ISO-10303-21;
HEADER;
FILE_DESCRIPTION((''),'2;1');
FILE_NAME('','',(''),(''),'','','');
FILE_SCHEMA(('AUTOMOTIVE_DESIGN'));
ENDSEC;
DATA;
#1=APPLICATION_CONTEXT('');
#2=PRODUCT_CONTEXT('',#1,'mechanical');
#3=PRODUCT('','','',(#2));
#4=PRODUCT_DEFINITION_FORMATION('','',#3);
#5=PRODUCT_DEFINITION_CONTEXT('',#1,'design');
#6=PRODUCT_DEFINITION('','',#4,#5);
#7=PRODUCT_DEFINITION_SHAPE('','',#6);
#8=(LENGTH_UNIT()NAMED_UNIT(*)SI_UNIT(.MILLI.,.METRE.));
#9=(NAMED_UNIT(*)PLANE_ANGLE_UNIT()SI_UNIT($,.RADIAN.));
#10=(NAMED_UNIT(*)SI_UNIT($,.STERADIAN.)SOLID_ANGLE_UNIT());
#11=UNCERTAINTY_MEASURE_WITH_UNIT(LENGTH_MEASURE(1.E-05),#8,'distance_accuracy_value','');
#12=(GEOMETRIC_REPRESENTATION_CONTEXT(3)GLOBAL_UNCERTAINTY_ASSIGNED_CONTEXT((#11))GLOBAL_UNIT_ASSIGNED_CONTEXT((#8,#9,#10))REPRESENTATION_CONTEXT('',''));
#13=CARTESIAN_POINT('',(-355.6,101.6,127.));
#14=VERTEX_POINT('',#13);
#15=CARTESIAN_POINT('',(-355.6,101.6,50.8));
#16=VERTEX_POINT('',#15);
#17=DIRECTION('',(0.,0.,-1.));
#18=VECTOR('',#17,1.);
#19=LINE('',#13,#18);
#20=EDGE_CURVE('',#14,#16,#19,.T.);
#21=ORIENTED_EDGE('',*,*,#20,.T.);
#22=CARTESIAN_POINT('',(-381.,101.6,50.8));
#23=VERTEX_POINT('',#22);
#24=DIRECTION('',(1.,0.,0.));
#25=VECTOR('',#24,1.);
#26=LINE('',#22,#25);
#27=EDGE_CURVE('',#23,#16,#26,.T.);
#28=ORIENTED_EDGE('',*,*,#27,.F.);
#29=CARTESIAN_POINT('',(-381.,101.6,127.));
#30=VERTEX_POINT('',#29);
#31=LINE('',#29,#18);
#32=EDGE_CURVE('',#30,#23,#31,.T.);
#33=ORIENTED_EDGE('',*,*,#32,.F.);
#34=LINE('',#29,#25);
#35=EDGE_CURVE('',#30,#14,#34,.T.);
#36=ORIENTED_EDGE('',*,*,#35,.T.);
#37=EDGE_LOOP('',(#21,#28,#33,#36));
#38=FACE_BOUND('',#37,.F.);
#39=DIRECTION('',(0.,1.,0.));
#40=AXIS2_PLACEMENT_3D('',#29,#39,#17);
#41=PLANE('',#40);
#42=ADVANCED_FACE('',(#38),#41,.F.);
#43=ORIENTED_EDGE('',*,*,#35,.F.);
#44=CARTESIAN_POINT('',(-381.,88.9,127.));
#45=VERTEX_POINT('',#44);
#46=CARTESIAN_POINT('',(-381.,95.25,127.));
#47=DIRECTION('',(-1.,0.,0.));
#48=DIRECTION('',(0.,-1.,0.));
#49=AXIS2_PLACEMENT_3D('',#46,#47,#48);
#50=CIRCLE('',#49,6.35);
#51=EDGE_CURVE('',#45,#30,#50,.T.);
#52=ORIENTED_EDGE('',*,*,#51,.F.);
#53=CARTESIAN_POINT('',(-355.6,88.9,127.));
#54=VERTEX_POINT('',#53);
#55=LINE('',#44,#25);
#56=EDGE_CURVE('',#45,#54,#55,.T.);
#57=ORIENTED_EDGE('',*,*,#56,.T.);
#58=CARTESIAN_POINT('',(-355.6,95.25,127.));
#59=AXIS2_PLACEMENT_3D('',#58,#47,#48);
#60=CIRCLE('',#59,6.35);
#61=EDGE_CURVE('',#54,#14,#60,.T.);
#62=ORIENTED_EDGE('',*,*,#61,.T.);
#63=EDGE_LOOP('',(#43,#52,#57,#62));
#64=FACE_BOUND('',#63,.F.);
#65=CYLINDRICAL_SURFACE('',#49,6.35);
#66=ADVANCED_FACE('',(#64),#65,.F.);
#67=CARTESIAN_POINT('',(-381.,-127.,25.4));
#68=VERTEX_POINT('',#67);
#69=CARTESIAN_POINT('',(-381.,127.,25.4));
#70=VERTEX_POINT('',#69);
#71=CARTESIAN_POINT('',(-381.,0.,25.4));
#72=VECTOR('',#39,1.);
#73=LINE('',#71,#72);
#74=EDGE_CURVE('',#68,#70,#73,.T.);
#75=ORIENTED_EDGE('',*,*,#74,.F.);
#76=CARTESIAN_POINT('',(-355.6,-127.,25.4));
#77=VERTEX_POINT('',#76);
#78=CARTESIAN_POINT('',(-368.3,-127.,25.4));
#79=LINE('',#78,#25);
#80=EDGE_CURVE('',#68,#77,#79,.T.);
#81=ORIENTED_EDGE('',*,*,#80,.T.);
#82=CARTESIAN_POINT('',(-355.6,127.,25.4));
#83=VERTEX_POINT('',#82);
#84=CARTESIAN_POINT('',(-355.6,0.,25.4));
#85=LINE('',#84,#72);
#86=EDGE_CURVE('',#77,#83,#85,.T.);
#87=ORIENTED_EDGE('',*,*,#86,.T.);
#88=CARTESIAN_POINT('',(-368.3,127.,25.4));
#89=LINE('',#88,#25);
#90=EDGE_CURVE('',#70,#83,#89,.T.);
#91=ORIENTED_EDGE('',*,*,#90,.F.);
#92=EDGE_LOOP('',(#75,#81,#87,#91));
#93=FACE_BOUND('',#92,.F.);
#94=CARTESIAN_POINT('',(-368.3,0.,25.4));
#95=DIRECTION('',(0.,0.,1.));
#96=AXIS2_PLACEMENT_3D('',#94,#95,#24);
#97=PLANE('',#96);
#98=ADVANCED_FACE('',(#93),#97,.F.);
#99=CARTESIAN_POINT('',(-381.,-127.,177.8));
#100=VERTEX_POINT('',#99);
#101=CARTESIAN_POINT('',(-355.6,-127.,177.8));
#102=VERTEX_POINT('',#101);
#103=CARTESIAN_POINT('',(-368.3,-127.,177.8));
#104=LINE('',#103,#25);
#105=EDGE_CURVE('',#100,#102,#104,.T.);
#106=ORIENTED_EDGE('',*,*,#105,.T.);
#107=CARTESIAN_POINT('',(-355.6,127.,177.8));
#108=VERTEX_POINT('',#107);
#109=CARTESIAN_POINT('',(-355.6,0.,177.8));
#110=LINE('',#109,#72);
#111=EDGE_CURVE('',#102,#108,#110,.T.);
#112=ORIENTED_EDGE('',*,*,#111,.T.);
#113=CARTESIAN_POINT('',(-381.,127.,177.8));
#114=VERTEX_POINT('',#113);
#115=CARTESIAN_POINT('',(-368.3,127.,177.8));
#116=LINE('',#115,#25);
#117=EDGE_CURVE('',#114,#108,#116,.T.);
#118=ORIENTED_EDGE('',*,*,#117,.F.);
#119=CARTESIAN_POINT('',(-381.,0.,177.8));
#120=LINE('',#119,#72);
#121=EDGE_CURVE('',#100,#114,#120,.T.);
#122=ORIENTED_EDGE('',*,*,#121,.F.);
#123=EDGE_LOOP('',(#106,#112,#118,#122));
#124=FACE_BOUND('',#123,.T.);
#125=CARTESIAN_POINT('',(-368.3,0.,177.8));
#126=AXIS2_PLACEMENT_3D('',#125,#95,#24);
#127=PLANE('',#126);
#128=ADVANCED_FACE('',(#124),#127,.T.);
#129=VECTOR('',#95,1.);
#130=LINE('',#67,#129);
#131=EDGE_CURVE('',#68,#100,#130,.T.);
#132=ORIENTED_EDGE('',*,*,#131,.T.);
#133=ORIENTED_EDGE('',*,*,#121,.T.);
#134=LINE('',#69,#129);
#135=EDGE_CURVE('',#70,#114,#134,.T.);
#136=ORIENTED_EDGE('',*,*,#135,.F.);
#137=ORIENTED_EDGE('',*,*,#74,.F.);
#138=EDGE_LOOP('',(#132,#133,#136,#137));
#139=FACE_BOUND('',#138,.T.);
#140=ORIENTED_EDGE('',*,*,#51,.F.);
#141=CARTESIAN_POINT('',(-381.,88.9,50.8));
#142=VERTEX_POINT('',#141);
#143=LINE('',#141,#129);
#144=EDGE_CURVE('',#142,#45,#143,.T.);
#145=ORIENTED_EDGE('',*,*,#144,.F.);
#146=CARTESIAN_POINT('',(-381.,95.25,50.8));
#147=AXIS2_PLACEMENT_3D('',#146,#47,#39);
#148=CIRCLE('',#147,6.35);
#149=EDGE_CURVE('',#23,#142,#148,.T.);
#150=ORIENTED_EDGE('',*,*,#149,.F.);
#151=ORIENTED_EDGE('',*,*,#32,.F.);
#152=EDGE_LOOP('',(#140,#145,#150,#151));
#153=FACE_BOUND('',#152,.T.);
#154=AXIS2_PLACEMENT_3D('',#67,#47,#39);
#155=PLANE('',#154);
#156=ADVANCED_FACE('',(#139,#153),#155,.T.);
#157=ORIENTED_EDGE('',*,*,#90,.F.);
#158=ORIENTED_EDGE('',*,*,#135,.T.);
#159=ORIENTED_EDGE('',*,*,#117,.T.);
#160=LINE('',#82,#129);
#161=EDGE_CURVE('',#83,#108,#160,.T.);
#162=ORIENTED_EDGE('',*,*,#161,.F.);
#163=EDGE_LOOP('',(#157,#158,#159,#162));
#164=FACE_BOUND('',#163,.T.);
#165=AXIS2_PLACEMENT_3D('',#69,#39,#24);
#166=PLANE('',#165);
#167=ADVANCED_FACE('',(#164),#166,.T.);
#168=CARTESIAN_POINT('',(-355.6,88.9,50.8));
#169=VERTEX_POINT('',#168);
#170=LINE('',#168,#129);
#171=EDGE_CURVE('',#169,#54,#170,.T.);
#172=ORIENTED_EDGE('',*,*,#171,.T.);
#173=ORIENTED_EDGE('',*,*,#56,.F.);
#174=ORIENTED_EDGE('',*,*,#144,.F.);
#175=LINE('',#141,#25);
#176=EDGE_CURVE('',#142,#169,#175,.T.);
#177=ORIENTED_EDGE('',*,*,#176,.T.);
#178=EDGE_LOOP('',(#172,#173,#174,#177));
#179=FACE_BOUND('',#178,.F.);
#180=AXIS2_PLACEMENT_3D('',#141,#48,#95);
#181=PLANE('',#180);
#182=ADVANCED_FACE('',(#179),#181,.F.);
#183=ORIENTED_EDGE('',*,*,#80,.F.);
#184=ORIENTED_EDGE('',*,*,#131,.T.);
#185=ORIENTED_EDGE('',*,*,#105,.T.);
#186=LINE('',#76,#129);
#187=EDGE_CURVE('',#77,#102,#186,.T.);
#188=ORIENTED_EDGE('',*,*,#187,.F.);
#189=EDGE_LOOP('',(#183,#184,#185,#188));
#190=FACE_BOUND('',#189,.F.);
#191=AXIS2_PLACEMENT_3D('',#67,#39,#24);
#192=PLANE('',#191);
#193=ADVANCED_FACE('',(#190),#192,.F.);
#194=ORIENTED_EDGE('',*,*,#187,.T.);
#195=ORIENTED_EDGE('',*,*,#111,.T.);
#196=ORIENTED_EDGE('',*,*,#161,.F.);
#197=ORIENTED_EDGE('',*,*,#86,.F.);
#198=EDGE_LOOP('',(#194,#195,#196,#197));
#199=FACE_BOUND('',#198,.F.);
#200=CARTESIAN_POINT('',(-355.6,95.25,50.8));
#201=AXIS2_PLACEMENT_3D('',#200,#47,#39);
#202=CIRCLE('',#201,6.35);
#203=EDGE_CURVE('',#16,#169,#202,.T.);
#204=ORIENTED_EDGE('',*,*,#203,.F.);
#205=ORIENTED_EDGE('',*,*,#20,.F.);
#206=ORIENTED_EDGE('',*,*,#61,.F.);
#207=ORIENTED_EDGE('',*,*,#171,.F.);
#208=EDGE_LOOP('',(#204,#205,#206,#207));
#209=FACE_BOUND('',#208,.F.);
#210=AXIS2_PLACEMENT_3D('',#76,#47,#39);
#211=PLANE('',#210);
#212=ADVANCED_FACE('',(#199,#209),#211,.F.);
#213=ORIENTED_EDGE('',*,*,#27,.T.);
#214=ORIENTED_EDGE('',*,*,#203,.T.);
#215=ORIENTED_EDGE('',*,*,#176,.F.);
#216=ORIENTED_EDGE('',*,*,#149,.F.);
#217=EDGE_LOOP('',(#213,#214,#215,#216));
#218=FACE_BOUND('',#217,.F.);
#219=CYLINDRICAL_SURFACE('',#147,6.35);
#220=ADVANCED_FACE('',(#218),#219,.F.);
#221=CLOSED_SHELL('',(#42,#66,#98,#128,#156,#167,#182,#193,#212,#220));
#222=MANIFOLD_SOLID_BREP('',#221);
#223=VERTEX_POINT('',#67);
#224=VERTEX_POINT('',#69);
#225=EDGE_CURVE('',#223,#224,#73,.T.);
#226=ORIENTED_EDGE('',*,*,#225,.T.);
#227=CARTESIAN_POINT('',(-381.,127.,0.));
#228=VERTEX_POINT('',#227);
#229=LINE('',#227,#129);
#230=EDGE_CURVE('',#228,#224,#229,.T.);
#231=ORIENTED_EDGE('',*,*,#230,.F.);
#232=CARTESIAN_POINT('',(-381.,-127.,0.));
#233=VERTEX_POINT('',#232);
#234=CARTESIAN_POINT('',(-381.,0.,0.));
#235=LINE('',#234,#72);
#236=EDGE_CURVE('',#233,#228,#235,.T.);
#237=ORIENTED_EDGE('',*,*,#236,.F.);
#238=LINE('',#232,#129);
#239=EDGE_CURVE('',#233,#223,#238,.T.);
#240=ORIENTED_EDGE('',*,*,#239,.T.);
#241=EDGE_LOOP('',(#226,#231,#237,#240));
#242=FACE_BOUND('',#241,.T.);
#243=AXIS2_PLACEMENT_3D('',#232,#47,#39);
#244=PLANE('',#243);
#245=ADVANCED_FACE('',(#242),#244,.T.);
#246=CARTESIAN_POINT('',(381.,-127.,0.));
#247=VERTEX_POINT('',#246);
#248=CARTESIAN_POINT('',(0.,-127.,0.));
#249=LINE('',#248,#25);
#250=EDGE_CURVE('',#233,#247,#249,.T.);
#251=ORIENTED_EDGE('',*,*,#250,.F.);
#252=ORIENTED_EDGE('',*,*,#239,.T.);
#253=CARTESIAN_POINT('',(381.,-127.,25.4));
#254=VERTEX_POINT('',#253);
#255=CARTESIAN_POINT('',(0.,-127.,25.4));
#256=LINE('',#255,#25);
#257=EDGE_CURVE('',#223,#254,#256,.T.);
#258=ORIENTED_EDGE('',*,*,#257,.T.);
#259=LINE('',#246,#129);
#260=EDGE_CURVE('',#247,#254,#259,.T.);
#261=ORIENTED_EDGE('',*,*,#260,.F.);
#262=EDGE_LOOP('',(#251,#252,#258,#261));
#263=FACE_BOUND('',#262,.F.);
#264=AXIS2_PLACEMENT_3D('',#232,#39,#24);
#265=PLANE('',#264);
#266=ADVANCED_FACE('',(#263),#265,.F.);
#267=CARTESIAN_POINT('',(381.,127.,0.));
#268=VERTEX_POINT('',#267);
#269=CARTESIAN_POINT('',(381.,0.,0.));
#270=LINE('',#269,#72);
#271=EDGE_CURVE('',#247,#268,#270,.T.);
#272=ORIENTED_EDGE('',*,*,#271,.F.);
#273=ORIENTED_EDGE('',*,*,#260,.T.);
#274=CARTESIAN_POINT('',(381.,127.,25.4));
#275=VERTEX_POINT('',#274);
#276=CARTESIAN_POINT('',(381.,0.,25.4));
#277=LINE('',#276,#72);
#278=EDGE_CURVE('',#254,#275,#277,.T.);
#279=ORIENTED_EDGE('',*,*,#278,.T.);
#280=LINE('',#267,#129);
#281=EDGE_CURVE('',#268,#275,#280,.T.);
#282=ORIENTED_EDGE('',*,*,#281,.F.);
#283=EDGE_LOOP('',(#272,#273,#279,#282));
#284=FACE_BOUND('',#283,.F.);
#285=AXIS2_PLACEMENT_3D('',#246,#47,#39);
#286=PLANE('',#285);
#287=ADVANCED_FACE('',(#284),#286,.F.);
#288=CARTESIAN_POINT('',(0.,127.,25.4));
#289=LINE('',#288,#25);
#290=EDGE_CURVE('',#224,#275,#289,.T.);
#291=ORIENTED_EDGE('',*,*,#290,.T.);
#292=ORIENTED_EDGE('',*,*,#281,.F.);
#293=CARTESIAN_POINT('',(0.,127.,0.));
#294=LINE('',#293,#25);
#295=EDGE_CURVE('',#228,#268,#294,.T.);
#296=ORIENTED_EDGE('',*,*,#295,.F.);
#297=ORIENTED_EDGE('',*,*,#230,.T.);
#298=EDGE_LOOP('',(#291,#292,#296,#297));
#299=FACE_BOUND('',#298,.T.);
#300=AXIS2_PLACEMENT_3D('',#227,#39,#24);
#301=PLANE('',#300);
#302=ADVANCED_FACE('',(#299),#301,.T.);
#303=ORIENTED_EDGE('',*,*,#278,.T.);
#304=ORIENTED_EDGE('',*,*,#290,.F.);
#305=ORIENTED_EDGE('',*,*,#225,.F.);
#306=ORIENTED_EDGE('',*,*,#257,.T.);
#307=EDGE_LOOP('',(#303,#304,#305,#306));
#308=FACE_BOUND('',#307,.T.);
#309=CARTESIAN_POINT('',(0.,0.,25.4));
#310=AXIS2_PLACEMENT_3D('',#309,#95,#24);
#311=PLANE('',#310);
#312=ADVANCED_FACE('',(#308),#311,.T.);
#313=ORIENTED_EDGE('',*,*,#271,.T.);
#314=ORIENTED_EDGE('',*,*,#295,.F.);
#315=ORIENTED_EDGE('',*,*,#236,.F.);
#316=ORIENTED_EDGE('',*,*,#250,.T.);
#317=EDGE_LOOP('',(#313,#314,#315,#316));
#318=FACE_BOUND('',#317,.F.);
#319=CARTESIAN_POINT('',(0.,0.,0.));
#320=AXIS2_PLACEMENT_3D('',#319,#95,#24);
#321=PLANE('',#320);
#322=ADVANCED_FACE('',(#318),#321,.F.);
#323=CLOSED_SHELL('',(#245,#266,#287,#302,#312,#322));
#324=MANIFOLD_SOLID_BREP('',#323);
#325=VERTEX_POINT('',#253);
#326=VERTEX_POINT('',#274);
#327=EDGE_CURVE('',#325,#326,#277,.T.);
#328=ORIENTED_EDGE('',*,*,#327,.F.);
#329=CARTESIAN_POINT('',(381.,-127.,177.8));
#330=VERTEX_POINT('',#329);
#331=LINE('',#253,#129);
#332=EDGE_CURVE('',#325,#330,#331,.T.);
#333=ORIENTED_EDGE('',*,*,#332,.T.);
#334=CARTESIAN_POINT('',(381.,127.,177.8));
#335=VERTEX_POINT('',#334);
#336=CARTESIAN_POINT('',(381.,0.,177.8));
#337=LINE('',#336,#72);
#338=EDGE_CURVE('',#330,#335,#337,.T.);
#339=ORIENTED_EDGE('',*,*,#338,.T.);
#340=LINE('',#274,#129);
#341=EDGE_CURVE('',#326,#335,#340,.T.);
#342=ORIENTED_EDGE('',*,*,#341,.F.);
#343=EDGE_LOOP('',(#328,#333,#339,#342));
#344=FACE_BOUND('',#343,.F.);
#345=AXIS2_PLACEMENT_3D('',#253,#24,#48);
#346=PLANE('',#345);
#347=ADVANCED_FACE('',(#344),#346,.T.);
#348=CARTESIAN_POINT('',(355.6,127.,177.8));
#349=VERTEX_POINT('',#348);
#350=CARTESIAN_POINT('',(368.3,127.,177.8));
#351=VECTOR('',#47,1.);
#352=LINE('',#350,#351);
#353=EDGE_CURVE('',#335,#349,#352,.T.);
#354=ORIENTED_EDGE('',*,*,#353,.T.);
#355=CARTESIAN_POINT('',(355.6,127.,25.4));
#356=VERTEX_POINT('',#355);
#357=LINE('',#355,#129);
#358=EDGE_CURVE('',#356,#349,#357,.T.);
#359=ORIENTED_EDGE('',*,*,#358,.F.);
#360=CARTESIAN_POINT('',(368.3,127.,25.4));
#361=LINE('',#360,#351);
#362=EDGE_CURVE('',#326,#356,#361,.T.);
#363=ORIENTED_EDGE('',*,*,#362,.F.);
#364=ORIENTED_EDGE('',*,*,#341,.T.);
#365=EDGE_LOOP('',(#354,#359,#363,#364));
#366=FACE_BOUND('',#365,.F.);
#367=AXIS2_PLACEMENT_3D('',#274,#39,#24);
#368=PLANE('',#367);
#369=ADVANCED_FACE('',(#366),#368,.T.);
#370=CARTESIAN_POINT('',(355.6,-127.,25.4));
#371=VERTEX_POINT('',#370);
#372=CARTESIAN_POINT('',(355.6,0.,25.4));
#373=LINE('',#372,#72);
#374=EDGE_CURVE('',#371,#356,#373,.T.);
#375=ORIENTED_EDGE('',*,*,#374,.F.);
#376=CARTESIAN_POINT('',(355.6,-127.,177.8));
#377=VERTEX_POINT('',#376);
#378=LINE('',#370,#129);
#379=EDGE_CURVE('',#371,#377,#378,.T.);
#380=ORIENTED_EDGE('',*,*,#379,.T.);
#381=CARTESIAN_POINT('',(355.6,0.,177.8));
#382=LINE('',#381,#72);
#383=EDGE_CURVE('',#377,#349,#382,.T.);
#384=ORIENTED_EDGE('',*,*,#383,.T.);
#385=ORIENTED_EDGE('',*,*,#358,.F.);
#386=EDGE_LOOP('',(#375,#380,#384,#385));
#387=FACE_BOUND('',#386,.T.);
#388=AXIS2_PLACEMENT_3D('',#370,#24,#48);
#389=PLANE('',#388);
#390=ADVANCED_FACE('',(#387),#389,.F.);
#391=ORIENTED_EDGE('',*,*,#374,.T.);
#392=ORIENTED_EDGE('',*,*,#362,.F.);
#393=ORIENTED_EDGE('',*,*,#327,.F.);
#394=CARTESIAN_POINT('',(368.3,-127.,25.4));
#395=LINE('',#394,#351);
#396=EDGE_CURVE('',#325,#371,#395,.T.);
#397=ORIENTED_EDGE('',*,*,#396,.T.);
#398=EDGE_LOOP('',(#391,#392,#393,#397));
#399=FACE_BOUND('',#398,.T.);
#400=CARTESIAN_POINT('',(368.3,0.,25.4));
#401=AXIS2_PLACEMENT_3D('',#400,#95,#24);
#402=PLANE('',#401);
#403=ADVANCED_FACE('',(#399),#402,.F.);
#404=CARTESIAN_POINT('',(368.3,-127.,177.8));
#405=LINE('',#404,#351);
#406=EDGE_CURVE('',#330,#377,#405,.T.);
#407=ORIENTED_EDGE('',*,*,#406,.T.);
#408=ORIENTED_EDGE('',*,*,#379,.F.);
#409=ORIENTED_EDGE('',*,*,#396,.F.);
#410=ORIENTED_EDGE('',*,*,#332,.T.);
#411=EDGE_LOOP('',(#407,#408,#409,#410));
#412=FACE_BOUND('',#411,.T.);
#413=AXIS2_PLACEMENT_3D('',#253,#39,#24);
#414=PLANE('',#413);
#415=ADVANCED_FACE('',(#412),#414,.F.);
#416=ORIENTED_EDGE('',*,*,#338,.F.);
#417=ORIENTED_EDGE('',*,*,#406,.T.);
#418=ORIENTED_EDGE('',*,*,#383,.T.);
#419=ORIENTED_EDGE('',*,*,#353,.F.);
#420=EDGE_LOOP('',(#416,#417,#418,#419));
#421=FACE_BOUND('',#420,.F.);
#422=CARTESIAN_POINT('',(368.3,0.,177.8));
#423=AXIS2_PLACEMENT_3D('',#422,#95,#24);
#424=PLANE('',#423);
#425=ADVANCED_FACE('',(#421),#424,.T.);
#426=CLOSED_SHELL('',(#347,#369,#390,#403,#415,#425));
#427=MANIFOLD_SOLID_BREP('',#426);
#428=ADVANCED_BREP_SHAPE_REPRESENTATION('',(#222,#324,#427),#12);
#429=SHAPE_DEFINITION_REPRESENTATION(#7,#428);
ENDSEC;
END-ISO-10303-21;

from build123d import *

# Parameters (mm, degrees)
F0_W     = 762
F0_H     = 254
F1_DEPTH = 25.4
F2_W     = 25.4
F2_H     = 254
F3_DEPTH = 152.4
F7_DEPTH = 25.4


with BuildPart() as f1:
    # F0 (on Top) → F1 (new body)
    with BuildSketch(Plane.XY):
        Rectangle(F0_W, F0_H)
    extrude(amount=F1_DEPTH)


with BuildPart() as f3:
    # F2 (on face) → F3 (new body)
    with BuildSketch(Plane.XY.offset(25.4)):
        with Locations((-368.3, 0)):
            Rectangle(F2_W, F2_H)
    extrude(amount=F3_DEPTH)


with BuildPart() as f4_1:
    # F4: instance of F3
    add(f3.part.mirror(Plane.YZ))


with BuildPart() as f3_1:
    add(f3.part)

    # F6 (on face) → F7 (cut)
    with BuildSketch(Plane(origin=(-381, 0, 0), x_dir=(0, -1, 0), z_dir=(-1, 0, 0))):
        with BuildLine():
            ThreePointArc((-88.9, 127), (-95.25, 133.35), (-101.6, 127))
            Line((-101.6, 127), (-101.6, 50.8))
            ThreePointArc((-101.6, 50.8), (-95.25, 44.45), (-88.9, 50.8))
            Line((-88.9, 50.8), (-88.9, 127))
        make_face()
    extrude(amount=-F7_DEPTH, mode=Mode.SUBTRACT)


solid = Compound([f1.part, f4_1.part, f3_1.part])
